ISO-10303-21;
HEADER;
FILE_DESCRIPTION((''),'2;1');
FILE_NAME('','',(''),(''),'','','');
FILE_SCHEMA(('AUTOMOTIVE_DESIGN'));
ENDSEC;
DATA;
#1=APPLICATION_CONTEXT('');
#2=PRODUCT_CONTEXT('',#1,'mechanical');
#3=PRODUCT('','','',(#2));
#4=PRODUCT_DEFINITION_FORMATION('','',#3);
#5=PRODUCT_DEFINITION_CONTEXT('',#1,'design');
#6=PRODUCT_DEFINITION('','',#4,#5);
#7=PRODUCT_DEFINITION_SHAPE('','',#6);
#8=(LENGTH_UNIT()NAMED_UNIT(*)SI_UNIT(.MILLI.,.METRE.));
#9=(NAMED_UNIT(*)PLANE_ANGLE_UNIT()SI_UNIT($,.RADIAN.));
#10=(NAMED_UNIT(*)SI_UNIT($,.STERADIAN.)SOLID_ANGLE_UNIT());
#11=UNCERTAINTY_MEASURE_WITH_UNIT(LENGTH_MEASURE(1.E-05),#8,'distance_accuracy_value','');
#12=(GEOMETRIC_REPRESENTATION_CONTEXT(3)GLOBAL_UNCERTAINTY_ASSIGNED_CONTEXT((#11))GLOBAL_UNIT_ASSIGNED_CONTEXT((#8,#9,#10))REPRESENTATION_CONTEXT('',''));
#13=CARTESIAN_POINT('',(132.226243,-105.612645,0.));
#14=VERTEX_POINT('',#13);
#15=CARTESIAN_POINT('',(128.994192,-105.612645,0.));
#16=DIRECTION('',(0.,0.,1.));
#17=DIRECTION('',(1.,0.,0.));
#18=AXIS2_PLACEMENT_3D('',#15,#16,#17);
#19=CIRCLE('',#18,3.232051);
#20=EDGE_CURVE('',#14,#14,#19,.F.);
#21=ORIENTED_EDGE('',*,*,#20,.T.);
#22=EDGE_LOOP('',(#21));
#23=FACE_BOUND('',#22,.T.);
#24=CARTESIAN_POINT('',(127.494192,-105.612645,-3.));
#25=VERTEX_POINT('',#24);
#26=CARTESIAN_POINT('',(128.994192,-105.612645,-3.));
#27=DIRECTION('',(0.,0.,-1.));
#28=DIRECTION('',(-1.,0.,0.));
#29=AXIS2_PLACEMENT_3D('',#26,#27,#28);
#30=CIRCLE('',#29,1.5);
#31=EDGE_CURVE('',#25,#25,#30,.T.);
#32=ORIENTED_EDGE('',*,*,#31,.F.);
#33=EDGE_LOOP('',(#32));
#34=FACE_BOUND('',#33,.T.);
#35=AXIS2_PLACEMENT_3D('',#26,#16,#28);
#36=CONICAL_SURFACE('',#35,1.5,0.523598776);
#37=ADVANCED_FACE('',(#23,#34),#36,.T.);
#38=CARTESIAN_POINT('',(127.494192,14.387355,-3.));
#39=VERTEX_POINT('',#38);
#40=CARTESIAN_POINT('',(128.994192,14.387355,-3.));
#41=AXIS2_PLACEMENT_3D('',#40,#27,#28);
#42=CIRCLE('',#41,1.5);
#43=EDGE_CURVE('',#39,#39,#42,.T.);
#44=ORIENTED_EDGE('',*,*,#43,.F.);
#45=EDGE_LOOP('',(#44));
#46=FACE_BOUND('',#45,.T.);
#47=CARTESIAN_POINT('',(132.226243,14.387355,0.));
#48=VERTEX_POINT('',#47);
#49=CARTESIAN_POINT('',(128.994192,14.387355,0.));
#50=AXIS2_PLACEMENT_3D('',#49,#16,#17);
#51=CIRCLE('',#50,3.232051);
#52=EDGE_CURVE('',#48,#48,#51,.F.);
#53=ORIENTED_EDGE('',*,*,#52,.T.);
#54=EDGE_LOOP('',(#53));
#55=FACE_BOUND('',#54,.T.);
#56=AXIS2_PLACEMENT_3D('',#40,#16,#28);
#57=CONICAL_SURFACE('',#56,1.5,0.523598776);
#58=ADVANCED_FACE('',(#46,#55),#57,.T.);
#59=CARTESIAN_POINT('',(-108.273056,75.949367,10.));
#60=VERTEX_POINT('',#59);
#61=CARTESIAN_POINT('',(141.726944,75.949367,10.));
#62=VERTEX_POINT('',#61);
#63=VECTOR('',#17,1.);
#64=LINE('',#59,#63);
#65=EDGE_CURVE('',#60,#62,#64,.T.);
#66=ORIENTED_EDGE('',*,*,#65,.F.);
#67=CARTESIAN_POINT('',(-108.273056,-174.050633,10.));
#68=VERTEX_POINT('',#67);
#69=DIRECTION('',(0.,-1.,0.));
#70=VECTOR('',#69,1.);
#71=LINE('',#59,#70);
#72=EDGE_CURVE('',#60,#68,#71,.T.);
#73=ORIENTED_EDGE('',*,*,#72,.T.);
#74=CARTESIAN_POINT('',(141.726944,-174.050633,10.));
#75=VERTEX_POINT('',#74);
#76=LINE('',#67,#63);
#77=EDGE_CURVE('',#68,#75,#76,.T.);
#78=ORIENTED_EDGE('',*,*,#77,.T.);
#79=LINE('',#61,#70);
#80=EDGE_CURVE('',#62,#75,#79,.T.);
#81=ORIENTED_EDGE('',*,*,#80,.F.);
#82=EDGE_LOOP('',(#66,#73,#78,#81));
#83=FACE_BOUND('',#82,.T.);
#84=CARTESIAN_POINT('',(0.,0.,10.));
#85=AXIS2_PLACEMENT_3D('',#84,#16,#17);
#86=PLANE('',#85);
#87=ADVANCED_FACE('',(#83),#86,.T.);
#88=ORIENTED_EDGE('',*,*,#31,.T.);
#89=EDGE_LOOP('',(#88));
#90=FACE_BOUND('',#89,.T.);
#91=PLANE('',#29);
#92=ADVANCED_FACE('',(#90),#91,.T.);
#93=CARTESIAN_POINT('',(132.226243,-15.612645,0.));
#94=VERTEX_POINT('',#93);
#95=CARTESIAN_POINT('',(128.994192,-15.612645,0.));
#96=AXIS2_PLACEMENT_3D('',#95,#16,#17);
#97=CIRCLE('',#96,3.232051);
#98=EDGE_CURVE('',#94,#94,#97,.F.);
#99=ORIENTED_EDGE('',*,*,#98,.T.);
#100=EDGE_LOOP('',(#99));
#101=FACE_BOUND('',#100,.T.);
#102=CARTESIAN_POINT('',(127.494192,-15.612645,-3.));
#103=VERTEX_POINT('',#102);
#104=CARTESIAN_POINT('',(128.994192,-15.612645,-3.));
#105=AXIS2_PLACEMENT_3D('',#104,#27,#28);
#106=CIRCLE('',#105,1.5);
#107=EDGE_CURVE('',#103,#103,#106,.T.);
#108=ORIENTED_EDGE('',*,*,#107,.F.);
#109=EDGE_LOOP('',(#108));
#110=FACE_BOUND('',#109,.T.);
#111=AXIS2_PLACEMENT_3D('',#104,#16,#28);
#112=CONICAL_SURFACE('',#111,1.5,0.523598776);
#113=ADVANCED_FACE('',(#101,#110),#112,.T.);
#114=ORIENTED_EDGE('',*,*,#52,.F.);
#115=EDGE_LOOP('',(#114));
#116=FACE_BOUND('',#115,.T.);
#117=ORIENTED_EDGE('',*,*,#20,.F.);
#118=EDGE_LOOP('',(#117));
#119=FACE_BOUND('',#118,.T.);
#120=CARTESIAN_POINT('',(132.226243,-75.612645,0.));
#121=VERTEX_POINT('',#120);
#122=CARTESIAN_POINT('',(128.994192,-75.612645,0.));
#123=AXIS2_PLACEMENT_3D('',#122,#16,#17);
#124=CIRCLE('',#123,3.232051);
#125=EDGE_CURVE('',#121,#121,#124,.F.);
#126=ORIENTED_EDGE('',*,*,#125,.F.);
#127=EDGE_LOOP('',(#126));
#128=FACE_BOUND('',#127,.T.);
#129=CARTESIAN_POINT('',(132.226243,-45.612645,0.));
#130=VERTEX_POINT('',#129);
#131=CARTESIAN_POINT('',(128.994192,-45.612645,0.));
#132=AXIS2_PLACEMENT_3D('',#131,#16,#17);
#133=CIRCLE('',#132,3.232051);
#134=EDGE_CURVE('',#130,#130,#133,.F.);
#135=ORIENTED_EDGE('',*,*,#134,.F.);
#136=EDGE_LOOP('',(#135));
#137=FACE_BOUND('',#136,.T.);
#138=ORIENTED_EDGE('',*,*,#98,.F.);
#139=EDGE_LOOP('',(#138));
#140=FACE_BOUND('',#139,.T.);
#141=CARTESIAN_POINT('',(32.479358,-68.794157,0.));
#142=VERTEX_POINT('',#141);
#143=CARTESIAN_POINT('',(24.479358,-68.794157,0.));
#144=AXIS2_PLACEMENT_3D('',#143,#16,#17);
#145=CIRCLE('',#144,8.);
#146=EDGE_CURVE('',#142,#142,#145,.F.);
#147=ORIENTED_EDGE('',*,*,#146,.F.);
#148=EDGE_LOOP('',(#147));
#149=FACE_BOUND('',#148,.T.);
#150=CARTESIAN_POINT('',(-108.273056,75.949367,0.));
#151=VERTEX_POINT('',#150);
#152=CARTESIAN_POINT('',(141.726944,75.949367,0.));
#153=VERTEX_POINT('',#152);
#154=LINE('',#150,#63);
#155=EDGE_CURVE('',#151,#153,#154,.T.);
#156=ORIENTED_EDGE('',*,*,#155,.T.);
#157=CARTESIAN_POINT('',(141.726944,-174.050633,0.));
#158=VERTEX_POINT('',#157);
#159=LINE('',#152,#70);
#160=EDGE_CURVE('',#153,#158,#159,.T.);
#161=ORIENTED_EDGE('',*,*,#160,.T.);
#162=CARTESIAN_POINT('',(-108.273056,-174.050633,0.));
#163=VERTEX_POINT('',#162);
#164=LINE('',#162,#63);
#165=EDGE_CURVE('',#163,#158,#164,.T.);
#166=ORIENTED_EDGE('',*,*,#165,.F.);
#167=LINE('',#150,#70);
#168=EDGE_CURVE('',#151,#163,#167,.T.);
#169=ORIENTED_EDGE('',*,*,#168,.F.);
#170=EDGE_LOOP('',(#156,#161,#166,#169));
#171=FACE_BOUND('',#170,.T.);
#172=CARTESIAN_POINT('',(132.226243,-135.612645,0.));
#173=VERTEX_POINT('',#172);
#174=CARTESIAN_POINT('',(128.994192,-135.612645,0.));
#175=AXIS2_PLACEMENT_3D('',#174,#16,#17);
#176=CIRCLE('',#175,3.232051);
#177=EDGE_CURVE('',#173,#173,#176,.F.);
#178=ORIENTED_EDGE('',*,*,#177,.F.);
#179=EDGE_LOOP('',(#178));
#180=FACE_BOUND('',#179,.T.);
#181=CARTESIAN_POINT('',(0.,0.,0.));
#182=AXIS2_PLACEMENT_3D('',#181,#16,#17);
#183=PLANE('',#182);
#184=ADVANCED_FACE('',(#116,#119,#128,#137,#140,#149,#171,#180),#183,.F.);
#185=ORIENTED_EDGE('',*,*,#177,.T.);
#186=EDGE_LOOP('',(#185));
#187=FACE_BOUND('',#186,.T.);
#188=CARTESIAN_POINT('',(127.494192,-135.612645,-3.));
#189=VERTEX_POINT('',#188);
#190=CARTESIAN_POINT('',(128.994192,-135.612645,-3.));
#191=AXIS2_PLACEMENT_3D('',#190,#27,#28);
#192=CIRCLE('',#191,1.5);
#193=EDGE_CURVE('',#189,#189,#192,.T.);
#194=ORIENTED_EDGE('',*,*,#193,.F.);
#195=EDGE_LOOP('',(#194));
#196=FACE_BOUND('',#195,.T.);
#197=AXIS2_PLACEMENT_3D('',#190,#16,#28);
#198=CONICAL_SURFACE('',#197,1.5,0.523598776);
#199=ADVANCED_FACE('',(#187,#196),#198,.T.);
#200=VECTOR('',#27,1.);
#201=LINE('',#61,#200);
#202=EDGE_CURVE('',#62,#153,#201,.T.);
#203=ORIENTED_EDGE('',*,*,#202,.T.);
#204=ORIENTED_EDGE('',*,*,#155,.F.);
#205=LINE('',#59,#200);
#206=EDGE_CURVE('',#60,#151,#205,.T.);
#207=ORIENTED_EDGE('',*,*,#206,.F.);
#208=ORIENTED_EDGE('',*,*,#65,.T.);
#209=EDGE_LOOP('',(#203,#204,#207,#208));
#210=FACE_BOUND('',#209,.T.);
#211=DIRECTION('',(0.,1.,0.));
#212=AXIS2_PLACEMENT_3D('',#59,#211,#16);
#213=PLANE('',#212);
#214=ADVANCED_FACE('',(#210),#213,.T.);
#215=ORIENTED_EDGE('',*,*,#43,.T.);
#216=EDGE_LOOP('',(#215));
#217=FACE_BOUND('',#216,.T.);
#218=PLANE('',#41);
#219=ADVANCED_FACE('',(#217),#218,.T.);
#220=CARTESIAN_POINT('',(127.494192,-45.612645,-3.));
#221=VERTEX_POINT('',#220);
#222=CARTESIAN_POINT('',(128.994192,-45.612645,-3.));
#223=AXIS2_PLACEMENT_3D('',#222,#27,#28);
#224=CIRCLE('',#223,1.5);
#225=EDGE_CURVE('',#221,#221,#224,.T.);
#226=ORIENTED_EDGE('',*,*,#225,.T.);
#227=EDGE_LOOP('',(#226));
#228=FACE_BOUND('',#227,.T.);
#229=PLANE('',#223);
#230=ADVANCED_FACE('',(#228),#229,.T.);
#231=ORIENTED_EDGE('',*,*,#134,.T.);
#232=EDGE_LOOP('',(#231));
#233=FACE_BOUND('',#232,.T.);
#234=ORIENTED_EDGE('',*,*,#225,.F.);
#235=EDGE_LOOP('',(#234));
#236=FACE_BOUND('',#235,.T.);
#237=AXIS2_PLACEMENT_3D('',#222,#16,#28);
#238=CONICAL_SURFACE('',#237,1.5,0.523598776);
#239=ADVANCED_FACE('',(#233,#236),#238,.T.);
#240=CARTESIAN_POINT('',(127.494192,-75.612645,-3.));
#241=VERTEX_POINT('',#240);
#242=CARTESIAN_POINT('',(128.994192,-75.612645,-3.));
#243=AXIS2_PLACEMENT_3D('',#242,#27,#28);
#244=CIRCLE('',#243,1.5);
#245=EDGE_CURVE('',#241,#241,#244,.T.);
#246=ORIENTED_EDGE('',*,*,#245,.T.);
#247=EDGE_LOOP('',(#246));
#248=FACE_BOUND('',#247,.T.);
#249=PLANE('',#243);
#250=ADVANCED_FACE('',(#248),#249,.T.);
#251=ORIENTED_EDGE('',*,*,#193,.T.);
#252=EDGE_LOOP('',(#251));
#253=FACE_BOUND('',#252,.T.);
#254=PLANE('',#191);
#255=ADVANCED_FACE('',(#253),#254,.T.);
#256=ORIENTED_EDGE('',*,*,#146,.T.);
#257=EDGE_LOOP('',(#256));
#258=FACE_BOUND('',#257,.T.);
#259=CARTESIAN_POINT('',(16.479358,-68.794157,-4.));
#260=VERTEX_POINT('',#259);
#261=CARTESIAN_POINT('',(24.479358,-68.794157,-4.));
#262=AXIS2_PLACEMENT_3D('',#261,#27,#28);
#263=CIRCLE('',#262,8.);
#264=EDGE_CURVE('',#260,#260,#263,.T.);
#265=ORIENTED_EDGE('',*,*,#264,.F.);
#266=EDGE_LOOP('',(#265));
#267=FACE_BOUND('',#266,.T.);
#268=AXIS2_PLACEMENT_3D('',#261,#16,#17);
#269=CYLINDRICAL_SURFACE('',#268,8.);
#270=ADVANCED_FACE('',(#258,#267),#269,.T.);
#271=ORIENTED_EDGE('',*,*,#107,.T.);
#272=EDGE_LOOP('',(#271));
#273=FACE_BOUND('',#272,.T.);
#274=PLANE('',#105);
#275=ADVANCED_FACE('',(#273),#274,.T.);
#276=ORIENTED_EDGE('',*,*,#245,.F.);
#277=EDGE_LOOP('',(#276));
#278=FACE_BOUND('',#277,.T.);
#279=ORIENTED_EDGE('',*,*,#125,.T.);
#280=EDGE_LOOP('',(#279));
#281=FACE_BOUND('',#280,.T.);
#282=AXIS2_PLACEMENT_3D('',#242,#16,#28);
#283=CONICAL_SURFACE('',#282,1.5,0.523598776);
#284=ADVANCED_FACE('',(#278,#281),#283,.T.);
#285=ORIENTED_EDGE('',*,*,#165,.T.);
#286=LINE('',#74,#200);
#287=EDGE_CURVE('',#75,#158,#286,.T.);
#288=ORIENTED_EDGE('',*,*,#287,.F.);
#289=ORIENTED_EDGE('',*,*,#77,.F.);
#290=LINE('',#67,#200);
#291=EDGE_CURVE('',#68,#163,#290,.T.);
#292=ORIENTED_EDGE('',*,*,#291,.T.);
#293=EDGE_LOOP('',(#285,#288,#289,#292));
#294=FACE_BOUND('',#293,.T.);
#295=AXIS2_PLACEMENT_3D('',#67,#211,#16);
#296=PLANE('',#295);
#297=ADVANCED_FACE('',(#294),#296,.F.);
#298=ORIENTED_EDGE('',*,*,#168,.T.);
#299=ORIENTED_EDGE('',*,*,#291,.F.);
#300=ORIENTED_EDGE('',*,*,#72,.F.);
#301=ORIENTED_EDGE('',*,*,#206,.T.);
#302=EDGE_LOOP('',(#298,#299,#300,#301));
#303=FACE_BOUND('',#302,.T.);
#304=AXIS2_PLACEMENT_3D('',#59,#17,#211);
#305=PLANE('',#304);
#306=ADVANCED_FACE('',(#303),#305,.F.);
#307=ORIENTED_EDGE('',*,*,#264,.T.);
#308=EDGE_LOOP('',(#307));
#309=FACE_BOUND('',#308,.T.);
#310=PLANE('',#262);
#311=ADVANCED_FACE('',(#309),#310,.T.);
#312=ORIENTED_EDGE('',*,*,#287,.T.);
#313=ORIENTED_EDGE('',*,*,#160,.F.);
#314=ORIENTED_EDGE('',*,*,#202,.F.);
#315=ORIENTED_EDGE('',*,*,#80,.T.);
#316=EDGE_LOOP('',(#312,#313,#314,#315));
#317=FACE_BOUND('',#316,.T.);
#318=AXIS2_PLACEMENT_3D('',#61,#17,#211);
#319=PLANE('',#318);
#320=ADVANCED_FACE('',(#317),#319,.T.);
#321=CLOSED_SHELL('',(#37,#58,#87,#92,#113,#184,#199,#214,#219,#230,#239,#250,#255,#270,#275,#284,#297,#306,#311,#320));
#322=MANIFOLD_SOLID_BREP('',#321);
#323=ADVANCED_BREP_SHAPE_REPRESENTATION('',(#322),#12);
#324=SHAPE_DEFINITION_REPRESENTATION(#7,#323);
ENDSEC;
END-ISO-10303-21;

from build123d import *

# Parameters (mm, degrees)
SKETCH_1_W             = 250
SKETCH_1_H             = 250
EXTRUDE_1_DEPTH        = 10
SKETCH_4_R             = 8
EXTRUDE_2_DEPTH        = 4
SKETCH_6_R             = 1.5
EXTRUDE_3_DEPTH        = 3
PATTERN_LINEAR_1_COUNT = 6
PATTERN_LINEAR_1_PITCH = 30
DRAFT_1_ANGLE          = 30
PATTERN_LINEAR_2_COUNT = 6
PATTERN_LINEAR_2_PITCH = 30
DRAFT_2_ANGLE          = 30
DRAFT_3_ANGLE          = 30
DRAFT_4_ANGLE          = 30
DRAFT_5_ANGLE          = 30
DRAFT_6_ANGLE          = 30


with BuildPart() as part:
    # 草图1 → 凸台-拉伸1 (new body)
    with BuildSketch(Plane.XY):
        with Locations((16.726943942, -49.050632911)):
            Rectangle(SKETCH_1_W, SKETCH_1_H)
    extrude(amount=EXTRUDE_1_DEPTH)

    # 草图4 → 凸台-拉伸2 (add)
    with BuildSketch(Plane(origin=(0, 0, 0), x_dir=(-1, 0, 0), z_dir=(0, 0, -1))):
        with Locations((-24.479358253, -68.79415652)):
            Circle(SKETCH_4_R)
    extrude(amount=EXTRUDE_2_DEPTH)

    # 草图6 → 凸台-拉伸3 (add)
    with BuildSketch(Plane(origin=(0, 0, 0), x_dir=(-1, 0, 0), z_dir=(0, 0, -1))):
        with Locations((-128.994191702, 14.387355328)):
            Circle(SKETCH_6_R)
    extrude_3 = extrude(amount=EXTRUDE_3_DEPTH)

    # 阵列(线性)1: 凸台-拉伸3 ×6
    with Locations(*[(0, -i * PATTERN_LINEAR_1_PITCH, 0) for i in range(1, PATTERN_LINEAR_1_COUNT)]):
        add(extrude_3)

    # 拔模1
    draft_1_faces = [part.faces().sort_by_distance(p)[0] for p in [
        (130.494191702, 14.387355328, -1.5),
    ]]
    draft(draft_1_faces, Plane(origin=(128.994191702, 14.387355328, -3), x_dir=(-1, 0, 0), z_dir=(0, 0, -1)), DRAFT_1_ANGLE)

    # 阵列(线性)2: 凸台-拉伸3 ×6
    with Locations(*[(0, -i * PATTERN_LINEAR_2_PITCH, 0) for i in range(1, PATTERN_LINEAR_2_COUNT)]):
        add(extrude_3)

    # 拔模2
    draft_2_faces = [part.faces().sort_by_distance(p)[0] for p in [
        (130.494191702, -15.612644672, -1.5),
    ]]
    draft(draft_2_faces, Plane(origin=(128.994191702, -15.612644672, -3), x_dir=(-1, 0, 0), z_dir=(0, 0, -1)), DRAFT_2_ANGLE)

    # 拔模3
    draft_3_faces = [part.faces().sort_by_distance(p)[0] for p in [
        (130.494191702, -45.612644672, -1.5),
    ]]
    draft(draft_3_faces, Plane(origin=(128.994191702, -45.612644672, -3), x_dir=(-1, 0, 0), z_dir=(0, 0, -1)), DRAFT_3_ANGLE)

    # 拔模4
    draft_4_faces = [part.faces().sort_by_distance(p)[0] for p in [
        (130.494191702, -75.612644672, -1.5),
    ]]
    draft(draft_4_faces, Plane(origin=(128.994191702, -75.612644672, -3), x_dir=(-1, 0, 0), z_dir=(0, 0, -1)), DRAFT_4_ANGLE)

    # 拔模5
    draft_5_faces = [part.faces().sort_by_distance(p)[0] for p in [
        (130.494191702, -105.612644672, -1.5),
    ]]
    draft(draft_5_faces, Plane(origin=(128.994191702, -105.612644672, -3), x_dir=(-1, 0, 0), z_dir=(0, 0, -1)), DRAFT_5_ANGLE)

    # 拔模6
    draft_6_faces = [part.faces().sort_by_distance(p)[0] for p in [
        (130.494191702, -135.612644672, -1.5),
    ]]
    draft(draft_6_faces, Plane(origin=(128.994191702, -135.612644672, -3), x_dir=(-1, 0, 0), z_dir=(0, 0, -1)), DRAFT_6_ANGLE)


solid = part.part
